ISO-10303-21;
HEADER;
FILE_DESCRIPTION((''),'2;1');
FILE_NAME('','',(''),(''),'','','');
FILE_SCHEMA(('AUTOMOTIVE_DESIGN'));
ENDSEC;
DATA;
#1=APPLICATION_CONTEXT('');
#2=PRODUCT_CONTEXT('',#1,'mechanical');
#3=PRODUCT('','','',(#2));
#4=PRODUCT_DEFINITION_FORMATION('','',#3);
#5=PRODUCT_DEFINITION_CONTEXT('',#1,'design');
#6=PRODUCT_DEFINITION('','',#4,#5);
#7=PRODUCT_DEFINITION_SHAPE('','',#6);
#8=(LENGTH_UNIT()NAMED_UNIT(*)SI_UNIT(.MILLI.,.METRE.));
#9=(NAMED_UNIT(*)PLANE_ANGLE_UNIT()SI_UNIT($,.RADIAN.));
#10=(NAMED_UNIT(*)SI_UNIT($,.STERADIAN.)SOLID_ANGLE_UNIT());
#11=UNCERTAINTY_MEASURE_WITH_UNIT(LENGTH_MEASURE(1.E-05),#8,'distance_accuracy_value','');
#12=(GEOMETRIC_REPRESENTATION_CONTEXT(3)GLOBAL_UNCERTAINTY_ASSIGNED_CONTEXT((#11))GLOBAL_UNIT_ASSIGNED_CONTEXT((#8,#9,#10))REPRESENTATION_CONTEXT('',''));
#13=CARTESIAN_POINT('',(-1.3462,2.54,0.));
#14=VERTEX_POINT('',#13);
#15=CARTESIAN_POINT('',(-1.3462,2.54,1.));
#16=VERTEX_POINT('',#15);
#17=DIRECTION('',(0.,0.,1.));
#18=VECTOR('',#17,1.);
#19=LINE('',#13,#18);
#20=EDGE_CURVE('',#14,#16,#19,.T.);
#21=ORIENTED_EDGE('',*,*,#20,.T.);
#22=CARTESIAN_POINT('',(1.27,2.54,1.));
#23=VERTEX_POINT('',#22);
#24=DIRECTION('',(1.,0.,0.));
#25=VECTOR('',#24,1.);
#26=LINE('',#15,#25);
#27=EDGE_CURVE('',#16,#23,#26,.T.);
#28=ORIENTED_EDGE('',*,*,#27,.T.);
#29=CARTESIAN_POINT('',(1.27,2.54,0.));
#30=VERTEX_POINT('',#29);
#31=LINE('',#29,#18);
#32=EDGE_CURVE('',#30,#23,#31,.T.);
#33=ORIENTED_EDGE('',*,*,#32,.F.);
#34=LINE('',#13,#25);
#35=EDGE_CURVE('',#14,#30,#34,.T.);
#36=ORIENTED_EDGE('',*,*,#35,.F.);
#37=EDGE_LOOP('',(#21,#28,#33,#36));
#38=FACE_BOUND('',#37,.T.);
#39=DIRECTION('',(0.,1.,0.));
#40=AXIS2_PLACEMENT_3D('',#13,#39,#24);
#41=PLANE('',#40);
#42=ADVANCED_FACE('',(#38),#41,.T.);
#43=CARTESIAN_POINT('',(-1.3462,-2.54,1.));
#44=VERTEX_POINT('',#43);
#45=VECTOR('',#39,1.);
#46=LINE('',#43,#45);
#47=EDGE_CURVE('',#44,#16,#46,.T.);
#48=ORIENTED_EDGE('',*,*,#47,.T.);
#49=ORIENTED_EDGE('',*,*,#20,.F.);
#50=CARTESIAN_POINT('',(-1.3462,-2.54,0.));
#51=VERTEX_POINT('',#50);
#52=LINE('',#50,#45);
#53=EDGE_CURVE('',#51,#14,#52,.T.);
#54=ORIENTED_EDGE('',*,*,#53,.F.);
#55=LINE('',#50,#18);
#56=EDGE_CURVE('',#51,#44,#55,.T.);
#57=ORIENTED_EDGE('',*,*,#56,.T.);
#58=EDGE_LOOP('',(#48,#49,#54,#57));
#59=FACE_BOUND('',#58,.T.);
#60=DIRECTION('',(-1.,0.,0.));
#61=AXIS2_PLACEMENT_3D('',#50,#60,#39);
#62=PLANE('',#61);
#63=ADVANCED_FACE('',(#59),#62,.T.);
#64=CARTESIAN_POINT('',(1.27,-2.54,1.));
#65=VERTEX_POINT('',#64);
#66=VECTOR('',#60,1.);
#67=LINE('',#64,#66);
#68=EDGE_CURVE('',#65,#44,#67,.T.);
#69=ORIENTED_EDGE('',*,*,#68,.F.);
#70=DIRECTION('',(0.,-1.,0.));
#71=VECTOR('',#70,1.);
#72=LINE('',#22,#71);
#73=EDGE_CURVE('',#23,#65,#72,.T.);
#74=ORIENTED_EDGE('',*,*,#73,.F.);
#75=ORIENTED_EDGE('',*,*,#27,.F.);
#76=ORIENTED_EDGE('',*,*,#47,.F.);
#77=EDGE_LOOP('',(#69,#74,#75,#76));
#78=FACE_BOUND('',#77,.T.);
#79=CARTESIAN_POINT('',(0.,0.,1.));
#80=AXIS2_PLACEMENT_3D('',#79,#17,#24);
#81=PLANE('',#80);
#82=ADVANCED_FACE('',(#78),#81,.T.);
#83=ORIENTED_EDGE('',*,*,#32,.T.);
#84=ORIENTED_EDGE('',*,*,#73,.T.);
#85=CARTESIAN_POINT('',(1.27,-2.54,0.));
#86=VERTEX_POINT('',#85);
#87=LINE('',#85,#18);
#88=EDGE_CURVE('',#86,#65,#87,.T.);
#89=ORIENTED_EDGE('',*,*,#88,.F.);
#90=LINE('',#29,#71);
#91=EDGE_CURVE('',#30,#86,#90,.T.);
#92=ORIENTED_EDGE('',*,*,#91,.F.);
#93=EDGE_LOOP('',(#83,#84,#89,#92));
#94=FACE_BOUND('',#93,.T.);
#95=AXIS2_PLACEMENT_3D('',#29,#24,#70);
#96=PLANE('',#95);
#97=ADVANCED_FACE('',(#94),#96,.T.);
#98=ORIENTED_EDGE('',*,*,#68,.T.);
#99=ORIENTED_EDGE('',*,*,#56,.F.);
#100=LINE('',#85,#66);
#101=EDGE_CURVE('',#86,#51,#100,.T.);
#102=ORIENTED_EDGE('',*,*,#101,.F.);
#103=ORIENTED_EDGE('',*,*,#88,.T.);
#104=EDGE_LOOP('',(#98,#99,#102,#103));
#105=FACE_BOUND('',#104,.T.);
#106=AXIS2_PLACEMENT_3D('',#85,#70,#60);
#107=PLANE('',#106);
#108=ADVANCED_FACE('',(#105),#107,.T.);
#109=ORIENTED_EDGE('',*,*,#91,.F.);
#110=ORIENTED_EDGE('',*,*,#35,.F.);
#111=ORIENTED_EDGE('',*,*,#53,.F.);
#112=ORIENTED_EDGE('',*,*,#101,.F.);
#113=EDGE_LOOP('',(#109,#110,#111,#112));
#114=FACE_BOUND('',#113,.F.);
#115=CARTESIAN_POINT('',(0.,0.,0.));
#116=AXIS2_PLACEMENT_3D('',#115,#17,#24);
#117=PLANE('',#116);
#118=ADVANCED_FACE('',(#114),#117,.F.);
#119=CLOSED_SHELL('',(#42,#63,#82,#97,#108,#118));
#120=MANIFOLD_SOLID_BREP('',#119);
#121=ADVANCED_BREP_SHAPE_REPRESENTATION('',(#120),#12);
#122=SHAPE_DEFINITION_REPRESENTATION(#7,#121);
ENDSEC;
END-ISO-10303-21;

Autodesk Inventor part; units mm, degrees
ref_plane "YZ Plane" through (0, 0, 0) normal (1, 0, 0) x (0, 1, 0)
ref_plane "XZ Plane" through (0, 0, 0) normal (0, 1, 0) x (-1, 0, 0)
ref_plane "XY Plane" through (0, 0, 0) normal (0, 0, 1) x (1, 0, 0)
sketch "JP1M, RXD_73" plane through (0, 0, 0) normal (0, 0, 1) x (1, 0, 0)
  line L0 (-1.3462, 2.54) -> (1.27, 2.54)
  line L1 (1.27, 2.54) -> (1.27, -2.54)
  line L2 (1.27, -2.54) -> (-1.3462, -2.54)
  line L3 (-1.3462, -2.54) -> (-1.3462, 2.54)
extrude "Extrusion1" add sketch "JP1M, RXD_73" along normal blind 1
properties part number "RXD"
